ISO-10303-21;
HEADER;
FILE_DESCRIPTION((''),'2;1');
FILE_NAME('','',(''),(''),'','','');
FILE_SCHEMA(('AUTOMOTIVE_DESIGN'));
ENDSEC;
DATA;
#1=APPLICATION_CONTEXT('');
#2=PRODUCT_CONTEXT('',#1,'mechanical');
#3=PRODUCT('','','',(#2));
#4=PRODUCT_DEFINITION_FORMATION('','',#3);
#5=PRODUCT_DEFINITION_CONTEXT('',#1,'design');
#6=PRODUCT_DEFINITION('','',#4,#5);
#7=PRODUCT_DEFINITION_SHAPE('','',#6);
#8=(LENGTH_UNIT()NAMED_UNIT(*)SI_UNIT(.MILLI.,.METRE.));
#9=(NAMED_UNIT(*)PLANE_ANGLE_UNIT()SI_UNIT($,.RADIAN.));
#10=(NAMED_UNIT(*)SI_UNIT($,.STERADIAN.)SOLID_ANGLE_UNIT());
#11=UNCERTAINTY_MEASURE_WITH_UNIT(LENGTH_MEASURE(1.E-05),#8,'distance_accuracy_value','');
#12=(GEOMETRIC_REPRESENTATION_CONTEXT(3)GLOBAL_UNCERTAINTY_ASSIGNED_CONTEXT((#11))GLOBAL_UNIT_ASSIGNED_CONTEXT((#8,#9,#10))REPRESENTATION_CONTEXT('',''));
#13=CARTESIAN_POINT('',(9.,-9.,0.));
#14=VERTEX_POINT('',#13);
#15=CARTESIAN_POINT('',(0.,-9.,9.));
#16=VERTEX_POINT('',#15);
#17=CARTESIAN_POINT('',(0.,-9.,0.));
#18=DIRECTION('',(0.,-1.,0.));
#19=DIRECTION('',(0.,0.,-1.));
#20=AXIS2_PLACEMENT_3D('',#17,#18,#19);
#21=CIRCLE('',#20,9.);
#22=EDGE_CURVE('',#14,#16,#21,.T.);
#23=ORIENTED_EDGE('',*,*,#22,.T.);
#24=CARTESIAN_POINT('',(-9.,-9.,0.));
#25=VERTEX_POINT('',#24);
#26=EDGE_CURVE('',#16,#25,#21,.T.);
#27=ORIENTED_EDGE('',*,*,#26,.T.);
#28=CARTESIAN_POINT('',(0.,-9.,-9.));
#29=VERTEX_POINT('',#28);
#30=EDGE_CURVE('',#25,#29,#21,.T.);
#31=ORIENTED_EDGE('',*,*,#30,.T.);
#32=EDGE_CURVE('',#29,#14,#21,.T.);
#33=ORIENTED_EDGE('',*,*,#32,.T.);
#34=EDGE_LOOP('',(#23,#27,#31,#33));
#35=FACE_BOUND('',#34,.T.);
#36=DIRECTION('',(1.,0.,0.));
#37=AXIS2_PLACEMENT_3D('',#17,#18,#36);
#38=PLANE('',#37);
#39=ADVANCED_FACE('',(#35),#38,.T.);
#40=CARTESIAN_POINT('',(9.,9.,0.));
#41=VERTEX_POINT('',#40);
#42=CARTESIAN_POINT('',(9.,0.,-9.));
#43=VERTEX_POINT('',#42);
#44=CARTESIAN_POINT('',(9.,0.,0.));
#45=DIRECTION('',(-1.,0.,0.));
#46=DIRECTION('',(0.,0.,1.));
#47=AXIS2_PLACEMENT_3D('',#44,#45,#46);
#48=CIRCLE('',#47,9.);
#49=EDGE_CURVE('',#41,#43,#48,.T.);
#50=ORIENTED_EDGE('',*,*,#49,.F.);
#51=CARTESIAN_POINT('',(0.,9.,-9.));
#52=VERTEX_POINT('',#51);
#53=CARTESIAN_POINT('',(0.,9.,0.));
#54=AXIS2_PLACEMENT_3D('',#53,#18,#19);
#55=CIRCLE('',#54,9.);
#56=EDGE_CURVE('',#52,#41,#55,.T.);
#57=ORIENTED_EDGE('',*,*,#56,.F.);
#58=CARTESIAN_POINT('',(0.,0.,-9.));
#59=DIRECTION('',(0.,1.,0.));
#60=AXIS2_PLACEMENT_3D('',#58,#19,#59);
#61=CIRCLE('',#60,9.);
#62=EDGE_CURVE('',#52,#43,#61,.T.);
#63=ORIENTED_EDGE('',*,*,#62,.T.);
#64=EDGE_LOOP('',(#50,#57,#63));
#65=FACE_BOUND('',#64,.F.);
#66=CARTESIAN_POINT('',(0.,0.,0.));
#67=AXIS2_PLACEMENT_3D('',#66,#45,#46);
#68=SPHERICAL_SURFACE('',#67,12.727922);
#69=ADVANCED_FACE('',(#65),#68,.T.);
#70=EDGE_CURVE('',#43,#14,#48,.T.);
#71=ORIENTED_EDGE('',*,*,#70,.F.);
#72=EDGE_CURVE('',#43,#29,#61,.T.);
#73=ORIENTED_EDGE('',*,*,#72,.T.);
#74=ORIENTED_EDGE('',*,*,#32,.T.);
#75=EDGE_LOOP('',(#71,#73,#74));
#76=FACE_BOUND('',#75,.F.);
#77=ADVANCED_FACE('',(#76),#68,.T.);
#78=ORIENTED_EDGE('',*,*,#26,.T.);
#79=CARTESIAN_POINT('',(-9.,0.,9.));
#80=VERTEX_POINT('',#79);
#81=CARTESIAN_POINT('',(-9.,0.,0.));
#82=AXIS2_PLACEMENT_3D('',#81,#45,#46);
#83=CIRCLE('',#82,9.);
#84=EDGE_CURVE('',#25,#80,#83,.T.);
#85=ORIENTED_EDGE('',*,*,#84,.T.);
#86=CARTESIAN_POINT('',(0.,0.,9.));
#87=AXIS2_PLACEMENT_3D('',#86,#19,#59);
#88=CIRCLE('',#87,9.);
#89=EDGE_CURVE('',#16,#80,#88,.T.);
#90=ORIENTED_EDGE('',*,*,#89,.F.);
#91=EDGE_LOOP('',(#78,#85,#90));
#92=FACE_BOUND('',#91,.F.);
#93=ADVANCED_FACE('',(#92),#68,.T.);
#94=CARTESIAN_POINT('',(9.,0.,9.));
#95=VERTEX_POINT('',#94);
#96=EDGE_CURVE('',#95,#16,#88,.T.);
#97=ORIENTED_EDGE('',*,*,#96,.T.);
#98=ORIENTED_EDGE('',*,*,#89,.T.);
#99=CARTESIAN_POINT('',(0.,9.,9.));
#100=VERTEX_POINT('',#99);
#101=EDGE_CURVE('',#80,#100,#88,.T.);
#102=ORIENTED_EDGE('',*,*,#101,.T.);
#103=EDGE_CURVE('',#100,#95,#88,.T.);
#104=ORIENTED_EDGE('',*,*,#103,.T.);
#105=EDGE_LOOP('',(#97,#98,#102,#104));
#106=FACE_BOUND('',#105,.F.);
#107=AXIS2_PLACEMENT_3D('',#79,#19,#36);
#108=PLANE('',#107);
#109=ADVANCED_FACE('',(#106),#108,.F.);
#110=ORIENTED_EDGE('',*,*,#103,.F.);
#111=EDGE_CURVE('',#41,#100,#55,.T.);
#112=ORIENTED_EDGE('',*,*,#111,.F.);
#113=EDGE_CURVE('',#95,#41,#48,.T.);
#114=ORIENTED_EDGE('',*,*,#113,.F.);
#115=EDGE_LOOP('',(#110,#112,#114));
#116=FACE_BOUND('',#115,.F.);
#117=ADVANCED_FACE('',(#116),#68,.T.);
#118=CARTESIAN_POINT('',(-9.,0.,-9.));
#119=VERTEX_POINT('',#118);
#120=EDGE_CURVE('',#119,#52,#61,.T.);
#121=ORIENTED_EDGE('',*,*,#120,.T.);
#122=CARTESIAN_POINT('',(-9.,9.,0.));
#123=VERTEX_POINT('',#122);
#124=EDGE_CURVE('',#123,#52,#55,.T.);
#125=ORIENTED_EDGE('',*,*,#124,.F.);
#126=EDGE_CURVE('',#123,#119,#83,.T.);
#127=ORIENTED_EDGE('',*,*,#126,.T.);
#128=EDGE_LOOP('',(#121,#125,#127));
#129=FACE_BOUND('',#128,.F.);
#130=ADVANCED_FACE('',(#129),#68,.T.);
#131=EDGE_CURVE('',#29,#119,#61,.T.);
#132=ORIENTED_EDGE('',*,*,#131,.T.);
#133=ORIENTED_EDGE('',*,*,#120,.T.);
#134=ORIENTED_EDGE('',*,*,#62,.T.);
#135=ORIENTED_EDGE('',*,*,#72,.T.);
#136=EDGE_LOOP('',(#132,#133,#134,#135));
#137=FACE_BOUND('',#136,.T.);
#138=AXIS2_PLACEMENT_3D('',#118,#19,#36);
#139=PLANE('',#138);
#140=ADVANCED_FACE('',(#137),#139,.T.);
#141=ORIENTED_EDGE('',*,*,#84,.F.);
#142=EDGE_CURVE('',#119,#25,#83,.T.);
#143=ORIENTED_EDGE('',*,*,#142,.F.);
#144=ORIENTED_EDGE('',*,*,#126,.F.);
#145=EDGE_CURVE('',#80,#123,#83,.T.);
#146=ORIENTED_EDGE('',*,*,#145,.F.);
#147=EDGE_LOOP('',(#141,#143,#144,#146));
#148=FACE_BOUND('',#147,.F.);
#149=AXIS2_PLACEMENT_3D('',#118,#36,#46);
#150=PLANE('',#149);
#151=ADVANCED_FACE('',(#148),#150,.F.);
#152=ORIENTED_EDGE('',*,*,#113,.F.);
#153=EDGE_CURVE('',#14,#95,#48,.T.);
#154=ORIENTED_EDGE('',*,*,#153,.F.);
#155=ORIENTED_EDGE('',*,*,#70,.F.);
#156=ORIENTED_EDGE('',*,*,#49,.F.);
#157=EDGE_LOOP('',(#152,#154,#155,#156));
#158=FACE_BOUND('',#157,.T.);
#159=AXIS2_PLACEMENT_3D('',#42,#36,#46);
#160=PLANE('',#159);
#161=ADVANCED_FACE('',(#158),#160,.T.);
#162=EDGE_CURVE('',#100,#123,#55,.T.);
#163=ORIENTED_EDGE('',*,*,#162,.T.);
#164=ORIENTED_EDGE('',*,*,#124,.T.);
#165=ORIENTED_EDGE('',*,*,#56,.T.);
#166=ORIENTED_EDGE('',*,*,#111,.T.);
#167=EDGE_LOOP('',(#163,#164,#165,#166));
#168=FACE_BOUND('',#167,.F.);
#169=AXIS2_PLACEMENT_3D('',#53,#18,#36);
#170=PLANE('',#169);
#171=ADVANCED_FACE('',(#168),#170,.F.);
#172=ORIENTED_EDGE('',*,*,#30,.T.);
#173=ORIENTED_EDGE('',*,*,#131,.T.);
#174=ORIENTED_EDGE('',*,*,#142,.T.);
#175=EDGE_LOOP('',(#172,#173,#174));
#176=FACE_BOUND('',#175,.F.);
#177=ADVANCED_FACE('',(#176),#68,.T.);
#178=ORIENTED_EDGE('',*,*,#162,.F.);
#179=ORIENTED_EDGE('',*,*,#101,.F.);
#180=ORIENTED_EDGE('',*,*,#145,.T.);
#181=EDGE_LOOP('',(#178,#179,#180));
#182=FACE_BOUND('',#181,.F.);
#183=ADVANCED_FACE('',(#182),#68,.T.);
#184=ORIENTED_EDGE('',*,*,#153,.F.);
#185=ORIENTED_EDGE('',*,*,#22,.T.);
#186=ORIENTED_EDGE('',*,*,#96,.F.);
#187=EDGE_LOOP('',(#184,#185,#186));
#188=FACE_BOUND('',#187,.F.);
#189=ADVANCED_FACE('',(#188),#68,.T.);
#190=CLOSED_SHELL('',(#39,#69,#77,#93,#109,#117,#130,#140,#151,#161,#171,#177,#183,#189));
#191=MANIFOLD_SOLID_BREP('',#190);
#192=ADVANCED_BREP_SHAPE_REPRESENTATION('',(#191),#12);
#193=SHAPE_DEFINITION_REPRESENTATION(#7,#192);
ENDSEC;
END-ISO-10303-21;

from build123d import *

# Parameters (mm, degrees)
F0_W     = 18
F0_H     = 18
F1_DEPTH = 9


with BuildPart() as f1:
    # F0 (on Front) → F1 (new body, symmetric)
    with BuildSketch(Plane.XZ):
        Rectangle(F0_W, F0_H)
    extrude(amount=F1_DEPTH, both=True)


with BuildPart() as f3:
    # F2 (on Front) → F3 (revolve)
    with BuildSketch(Plane.XZ):
        with BuildLine():
            Line((-12.727922, 0), (12.727922, 0))
            ThreePointArc((12.727922, 0), (0, 12.727922), (-12.727922, 0))
        make_face()
    revolve(axis=Axis((0.310661, 0, 0), (1, 0, 0)))


with BuildPart() as f1_1:
    add(f1.part)

    # F4: intersect F3
    add(f3.part, mode=Mode.INTERSECT)


solid = f1_1.part
